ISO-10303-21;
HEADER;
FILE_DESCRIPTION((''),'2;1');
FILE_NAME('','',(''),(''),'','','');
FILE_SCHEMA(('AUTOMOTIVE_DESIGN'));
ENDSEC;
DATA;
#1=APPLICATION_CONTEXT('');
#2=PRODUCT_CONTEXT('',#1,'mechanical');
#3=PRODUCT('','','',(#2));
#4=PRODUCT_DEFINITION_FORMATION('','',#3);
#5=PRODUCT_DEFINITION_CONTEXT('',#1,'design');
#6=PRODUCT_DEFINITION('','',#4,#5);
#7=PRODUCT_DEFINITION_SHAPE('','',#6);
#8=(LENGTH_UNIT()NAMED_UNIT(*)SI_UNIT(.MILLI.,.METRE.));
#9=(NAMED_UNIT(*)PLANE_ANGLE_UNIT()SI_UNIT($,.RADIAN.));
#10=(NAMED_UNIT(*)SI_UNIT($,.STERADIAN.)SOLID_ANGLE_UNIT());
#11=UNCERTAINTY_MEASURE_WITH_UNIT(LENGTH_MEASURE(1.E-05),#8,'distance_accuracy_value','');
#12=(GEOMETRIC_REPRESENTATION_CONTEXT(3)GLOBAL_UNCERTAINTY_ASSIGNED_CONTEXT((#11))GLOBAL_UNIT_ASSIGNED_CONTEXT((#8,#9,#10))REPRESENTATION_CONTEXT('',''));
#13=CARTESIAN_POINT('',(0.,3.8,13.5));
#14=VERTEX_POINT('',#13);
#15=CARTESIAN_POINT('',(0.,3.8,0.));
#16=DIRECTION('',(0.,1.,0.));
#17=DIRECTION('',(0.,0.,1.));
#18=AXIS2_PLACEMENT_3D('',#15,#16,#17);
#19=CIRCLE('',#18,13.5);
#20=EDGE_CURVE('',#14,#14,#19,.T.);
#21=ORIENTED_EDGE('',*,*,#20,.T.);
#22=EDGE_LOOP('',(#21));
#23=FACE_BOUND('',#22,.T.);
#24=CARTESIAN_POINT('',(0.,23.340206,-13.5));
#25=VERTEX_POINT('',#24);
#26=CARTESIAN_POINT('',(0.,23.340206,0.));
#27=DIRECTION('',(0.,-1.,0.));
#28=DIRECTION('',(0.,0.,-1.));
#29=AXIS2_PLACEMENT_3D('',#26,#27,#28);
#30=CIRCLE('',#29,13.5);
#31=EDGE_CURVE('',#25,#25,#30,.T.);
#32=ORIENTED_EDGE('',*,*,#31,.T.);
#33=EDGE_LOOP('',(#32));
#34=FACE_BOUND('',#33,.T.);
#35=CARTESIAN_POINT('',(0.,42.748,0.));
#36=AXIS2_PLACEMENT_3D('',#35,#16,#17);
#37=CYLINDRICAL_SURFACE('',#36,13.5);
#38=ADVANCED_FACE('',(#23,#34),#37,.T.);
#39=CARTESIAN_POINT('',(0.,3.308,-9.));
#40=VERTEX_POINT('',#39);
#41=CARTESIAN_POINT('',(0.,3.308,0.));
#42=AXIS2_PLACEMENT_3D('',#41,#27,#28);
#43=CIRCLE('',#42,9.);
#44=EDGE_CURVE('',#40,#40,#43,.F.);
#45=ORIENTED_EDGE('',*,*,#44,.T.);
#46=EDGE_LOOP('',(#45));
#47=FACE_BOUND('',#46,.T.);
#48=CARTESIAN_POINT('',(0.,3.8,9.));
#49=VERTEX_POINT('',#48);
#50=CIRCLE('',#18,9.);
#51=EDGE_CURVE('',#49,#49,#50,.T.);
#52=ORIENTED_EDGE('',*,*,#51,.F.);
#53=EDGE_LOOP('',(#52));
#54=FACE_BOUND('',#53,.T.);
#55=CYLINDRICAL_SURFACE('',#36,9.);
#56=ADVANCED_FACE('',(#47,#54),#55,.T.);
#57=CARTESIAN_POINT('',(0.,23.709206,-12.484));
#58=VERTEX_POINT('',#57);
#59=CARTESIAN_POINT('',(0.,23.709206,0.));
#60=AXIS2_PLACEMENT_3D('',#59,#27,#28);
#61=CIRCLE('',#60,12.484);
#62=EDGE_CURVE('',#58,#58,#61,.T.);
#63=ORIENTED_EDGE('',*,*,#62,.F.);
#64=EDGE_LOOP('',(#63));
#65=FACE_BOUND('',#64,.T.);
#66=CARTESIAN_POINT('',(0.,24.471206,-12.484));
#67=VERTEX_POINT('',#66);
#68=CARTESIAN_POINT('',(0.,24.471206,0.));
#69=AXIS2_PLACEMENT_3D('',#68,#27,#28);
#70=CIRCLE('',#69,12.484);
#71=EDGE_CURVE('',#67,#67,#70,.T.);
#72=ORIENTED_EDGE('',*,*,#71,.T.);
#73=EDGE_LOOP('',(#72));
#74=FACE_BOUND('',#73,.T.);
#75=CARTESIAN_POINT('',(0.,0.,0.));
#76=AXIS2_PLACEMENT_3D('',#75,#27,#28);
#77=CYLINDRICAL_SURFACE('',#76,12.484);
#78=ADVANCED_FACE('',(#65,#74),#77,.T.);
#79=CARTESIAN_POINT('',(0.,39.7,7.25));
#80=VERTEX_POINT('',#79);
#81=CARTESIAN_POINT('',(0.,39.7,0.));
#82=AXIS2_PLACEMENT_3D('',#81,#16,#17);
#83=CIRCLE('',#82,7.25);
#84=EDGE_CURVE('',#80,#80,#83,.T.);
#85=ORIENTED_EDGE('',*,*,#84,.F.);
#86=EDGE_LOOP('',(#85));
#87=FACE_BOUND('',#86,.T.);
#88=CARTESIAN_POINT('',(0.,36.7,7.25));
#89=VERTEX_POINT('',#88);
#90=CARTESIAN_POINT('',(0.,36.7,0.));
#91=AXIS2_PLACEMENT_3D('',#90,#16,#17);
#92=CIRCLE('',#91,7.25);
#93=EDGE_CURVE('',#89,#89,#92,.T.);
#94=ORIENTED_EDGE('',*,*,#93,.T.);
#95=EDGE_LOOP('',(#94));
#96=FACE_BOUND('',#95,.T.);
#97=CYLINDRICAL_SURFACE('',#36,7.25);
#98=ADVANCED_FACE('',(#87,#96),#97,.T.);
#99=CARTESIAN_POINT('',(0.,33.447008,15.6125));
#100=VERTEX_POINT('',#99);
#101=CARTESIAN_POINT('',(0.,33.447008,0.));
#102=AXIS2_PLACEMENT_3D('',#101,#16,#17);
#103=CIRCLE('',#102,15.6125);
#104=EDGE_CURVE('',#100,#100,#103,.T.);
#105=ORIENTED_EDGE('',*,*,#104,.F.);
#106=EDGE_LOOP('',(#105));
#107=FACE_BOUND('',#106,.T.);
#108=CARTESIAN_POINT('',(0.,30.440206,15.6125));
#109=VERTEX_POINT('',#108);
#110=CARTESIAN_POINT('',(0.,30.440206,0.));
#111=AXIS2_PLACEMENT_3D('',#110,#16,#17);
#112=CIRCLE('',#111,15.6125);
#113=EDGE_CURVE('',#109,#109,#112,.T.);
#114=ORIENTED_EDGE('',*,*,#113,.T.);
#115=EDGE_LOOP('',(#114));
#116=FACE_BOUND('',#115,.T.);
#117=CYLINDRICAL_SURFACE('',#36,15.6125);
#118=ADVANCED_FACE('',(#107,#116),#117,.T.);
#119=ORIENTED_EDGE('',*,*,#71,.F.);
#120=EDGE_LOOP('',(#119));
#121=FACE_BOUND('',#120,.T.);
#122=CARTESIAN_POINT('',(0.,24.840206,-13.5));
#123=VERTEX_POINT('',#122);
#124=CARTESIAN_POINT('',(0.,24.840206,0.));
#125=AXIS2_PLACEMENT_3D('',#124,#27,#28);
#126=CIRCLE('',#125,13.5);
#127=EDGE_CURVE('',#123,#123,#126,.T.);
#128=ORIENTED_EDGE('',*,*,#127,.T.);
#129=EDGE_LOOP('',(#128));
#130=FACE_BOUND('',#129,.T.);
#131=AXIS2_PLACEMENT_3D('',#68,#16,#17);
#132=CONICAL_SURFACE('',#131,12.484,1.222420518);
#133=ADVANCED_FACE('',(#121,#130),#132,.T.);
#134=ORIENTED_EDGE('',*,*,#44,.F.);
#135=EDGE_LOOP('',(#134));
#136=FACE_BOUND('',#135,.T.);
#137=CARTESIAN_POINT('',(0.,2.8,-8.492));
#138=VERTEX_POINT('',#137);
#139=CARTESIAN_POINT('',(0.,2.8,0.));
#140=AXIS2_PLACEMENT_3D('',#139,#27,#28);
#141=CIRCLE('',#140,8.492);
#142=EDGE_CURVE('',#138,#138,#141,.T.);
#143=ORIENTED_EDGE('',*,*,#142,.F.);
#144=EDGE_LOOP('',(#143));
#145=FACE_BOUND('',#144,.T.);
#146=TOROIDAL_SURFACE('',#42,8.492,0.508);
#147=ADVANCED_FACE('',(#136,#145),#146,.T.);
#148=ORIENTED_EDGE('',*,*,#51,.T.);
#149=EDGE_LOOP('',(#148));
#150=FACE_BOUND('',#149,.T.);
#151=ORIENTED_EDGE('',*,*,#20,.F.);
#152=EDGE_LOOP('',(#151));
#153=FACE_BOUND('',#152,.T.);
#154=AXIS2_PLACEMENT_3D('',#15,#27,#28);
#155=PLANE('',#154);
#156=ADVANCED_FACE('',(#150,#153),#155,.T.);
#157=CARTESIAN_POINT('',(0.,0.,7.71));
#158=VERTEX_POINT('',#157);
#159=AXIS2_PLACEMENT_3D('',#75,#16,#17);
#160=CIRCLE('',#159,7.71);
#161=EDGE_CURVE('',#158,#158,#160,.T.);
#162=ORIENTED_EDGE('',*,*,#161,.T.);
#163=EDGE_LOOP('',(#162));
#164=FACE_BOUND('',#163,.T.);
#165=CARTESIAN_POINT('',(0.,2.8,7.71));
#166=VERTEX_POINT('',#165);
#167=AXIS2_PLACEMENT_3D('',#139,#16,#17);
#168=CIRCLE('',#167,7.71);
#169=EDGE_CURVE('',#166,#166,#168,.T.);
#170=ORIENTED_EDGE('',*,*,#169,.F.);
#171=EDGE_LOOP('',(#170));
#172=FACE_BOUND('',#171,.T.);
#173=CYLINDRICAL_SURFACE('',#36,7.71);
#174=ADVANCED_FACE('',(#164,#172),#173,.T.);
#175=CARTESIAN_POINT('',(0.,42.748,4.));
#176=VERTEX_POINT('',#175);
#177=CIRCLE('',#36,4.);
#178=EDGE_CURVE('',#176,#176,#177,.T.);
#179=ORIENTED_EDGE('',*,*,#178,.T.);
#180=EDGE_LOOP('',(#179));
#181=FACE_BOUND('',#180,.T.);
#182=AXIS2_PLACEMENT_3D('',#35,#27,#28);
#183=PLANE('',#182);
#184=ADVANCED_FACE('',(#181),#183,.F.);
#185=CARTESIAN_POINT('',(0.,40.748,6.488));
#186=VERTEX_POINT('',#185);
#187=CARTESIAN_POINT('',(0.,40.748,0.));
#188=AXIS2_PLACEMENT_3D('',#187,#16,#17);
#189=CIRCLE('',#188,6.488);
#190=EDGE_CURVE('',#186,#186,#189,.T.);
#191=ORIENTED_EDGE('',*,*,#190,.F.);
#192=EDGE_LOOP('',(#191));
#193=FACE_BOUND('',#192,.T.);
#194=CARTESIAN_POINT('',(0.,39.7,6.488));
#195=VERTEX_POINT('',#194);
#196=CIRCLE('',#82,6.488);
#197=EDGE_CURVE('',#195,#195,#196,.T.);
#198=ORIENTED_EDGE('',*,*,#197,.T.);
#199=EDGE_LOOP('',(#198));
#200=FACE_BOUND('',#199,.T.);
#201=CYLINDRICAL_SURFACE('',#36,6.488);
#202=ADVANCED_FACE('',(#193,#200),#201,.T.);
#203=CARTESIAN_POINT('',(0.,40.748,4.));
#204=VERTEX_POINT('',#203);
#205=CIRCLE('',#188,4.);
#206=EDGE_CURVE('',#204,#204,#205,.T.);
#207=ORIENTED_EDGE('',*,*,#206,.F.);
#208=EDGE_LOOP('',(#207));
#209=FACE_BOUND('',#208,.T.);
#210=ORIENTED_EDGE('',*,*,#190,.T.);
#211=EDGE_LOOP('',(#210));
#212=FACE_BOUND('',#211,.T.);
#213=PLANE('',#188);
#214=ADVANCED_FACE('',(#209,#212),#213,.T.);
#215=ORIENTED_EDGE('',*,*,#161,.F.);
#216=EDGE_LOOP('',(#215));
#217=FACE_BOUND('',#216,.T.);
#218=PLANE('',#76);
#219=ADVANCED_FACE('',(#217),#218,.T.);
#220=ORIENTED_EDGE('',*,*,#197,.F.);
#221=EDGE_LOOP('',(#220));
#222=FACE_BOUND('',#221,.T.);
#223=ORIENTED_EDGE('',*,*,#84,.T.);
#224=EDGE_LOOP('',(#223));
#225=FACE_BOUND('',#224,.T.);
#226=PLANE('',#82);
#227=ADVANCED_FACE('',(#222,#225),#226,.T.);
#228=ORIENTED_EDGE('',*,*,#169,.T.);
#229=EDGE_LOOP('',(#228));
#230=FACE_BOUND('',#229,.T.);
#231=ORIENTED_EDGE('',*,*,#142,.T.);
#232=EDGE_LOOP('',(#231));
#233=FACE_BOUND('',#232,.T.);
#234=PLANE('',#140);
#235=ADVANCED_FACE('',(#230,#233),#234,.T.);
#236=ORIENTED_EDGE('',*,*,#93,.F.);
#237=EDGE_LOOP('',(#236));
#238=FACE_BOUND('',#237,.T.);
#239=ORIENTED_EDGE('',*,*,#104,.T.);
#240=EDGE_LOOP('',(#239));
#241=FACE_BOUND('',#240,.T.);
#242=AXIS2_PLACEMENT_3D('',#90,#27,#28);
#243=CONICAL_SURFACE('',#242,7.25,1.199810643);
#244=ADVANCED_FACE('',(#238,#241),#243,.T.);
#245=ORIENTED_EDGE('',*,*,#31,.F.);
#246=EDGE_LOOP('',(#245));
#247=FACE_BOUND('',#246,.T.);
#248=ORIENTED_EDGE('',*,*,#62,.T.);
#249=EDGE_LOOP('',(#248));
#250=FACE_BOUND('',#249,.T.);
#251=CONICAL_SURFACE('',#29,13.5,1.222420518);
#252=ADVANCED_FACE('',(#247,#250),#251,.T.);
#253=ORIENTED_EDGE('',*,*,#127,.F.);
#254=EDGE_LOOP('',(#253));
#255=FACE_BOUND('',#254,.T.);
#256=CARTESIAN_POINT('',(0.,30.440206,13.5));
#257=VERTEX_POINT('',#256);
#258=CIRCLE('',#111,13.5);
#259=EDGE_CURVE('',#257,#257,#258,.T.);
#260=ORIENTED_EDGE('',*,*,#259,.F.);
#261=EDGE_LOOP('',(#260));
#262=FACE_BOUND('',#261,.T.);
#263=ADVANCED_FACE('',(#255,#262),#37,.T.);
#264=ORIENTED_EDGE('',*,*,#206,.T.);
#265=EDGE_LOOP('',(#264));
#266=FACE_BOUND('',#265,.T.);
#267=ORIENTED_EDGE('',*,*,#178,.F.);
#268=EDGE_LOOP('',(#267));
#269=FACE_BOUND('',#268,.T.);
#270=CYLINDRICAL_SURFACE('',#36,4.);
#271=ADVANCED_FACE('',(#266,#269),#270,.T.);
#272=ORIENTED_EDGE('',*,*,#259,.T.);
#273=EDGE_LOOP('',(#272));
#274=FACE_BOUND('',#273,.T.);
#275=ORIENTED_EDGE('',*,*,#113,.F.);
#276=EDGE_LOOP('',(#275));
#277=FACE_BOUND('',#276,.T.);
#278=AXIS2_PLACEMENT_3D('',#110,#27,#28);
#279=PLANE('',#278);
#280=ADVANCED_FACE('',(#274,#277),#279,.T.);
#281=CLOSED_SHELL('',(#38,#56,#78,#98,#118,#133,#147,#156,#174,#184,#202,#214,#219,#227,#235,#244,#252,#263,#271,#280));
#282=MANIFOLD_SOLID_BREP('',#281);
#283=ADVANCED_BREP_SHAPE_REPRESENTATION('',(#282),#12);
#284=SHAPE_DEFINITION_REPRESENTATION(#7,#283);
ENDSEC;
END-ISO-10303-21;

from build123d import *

# Parameters (mm, degrees)
FILLET1_R = 0.508


with BuildPart() as part:
    # Sketch1 → Revolve1 (revolve)
    with BuildSketch(Plane.XY):
        Polygon((4, 40.748), (4, 42.748), (0, 42.748), (0, 0), (7.71, 0), (7.71, 2.8), (9, 2.8), (9, 3.8), (13.5, 3.8), (13.5, 30.440205684), (15.6125, 30.440205684), (15.6125, 33.447007876), (7.25, 36.7), (7.25, 39.7), (6.488, 39.7), (6.488, 40.748), align=None)
    revolve(axis=Axis((0, 42.748, 0), (0, -1, 0)))

    # Sketch2 → Cut-Revolve1 (revolve, cut)
    with BuildSketch(Plane.XY):
        with BuildLine():
            Line((-13.5, 24.840205684), (-12.484, 24.471205684))
            Line((-12.484, 24.471205684), (-12.484, 23.709205684))
            Line((-12.484, 23.709205684), (-13.5, 23.340205684))
            ThreePointArc((-13.5, 23.340205684), (-14.429321734, 24.090205684), (-13.5, 24.840205684))
        make_face()
    revolve(axis=Axis((0, 0, 0), (0, 1, 0)), mode=Mode.SUBTRACT)

    # Fillet1
    fillet1_edges = [part.edges().sort_by_distance(p)[0] for p in [
        (-9, 2.8, 0),
    ]]
    fillet(fillet1_edges, radius=FILLET1_R)


solid = part.part
